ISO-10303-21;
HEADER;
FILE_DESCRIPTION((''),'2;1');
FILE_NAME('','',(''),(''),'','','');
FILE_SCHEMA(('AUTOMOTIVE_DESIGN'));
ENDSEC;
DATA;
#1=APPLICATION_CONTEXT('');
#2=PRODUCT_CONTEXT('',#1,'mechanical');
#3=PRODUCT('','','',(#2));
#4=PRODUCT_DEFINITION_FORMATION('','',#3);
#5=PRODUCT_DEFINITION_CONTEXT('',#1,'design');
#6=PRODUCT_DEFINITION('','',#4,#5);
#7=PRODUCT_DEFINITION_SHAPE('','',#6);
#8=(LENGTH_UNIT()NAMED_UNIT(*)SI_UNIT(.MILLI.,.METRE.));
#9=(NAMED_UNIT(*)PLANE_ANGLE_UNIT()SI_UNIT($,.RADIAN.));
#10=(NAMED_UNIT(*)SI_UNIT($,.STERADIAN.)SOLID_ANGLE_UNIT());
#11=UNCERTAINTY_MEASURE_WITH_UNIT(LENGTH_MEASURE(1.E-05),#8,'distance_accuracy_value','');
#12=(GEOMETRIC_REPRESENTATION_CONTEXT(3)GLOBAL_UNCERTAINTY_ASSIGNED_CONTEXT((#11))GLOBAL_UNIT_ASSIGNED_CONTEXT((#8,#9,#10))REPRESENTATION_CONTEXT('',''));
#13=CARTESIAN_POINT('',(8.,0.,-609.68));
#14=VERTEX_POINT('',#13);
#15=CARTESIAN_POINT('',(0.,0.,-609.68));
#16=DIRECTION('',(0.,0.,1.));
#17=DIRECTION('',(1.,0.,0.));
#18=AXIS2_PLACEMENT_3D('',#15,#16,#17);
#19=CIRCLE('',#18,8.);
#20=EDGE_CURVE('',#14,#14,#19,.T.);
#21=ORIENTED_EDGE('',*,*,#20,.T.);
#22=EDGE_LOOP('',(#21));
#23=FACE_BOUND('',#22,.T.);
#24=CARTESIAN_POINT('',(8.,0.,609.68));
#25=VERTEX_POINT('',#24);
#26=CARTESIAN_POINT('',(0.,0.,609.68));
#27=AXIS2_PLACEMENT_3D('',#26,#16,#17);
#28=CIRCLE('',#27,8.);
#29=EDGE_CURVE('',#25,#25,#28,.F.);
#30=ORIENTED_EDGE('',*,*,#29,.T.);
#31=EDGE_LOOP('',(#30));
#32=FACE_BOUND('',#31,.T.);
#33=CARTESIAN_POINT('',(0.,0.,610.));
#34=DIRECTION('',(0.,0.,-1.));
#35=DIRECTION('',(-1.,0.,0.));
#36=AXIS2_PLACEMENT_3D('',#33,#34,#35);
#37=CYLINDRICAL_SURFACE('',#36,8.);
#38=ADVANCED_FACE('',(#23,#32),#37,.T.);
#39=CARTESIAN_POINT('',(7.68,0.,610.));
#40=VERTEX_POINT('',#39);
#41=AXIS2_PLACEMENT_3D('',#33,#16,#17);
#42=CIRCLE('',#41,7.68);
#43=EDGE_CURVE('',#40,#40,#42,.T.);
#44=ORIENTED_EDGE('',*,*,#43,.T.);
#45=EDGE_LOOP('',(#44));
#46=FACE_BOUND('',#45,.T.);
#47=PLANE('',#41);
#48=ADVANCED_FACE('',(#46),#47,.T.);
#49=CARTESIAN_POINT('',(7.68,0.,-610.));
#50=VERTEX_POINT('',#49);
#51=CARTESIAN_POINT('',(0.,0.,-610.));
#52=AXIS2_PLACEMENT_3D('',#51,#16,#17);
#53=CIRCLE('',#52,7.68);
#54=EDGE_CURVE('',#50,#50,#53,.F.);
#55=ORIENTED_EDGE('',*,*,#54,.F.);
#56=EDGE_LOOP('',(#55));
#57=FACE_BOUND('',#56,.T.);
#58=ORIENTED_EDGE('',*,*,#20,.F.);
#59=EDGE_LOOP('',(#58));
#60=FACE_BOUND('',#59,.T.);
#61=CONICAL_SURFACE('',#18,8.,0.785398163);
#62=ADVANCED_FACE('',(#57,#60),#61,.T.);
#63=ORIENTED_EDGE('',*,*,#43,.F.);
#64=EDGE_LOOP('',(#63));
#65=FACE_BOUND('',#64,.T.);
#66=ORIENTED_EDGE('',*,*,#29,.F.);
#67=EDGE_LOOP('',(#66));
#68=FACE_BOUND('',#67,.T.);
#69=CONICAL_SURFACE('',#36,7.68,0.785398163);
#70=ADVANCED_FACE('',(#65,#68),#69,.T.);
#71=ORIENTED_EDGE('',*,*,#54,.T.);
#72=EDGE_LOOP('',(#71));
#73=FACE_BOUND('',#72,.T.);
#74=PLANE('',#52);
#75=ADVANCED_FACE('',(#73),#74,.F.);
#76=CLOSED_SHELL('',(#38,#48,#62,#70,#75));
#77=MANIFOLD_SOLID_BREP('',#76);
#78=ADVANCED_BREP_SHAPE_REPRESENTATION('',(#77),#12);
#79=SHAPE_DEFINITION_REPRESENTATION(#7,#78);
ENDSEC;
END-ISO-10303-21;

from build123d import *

# Parameters (mm, degrees)
SKETCH3_R                = 8
BOSS_EXTRUDE1_DEPTH      = 610
BOSS_EXTRUDE1_DEPTH_BACK = 610
CHAMFER1_SIZE            = 0.32


with BuildPart() as part:
    # Sketch3 → Boss-Extrude1 (new body, two sides)
    with BuildSketch(Plane.XY) as boss_extrude1_sk:
        Circle(SKETCH3_R)
    extrude(amount=BOSS_EXTRUDE1_DEPTH)
    extrude(boss_extrude1_sk.sketch, amount=-BOSS_EXTRUDE1_DEPTH_BACK)

    # Chamfer1
    chamfer1_edges = [part.edges().sort_by_distance(p)[0] for p in [
        (-8, 0, -610),
        (-8, 0, 610),
    ]]
    chamfer(chamfer1_edges, length=CHAMFER1_SIZE)


solid = part.part
